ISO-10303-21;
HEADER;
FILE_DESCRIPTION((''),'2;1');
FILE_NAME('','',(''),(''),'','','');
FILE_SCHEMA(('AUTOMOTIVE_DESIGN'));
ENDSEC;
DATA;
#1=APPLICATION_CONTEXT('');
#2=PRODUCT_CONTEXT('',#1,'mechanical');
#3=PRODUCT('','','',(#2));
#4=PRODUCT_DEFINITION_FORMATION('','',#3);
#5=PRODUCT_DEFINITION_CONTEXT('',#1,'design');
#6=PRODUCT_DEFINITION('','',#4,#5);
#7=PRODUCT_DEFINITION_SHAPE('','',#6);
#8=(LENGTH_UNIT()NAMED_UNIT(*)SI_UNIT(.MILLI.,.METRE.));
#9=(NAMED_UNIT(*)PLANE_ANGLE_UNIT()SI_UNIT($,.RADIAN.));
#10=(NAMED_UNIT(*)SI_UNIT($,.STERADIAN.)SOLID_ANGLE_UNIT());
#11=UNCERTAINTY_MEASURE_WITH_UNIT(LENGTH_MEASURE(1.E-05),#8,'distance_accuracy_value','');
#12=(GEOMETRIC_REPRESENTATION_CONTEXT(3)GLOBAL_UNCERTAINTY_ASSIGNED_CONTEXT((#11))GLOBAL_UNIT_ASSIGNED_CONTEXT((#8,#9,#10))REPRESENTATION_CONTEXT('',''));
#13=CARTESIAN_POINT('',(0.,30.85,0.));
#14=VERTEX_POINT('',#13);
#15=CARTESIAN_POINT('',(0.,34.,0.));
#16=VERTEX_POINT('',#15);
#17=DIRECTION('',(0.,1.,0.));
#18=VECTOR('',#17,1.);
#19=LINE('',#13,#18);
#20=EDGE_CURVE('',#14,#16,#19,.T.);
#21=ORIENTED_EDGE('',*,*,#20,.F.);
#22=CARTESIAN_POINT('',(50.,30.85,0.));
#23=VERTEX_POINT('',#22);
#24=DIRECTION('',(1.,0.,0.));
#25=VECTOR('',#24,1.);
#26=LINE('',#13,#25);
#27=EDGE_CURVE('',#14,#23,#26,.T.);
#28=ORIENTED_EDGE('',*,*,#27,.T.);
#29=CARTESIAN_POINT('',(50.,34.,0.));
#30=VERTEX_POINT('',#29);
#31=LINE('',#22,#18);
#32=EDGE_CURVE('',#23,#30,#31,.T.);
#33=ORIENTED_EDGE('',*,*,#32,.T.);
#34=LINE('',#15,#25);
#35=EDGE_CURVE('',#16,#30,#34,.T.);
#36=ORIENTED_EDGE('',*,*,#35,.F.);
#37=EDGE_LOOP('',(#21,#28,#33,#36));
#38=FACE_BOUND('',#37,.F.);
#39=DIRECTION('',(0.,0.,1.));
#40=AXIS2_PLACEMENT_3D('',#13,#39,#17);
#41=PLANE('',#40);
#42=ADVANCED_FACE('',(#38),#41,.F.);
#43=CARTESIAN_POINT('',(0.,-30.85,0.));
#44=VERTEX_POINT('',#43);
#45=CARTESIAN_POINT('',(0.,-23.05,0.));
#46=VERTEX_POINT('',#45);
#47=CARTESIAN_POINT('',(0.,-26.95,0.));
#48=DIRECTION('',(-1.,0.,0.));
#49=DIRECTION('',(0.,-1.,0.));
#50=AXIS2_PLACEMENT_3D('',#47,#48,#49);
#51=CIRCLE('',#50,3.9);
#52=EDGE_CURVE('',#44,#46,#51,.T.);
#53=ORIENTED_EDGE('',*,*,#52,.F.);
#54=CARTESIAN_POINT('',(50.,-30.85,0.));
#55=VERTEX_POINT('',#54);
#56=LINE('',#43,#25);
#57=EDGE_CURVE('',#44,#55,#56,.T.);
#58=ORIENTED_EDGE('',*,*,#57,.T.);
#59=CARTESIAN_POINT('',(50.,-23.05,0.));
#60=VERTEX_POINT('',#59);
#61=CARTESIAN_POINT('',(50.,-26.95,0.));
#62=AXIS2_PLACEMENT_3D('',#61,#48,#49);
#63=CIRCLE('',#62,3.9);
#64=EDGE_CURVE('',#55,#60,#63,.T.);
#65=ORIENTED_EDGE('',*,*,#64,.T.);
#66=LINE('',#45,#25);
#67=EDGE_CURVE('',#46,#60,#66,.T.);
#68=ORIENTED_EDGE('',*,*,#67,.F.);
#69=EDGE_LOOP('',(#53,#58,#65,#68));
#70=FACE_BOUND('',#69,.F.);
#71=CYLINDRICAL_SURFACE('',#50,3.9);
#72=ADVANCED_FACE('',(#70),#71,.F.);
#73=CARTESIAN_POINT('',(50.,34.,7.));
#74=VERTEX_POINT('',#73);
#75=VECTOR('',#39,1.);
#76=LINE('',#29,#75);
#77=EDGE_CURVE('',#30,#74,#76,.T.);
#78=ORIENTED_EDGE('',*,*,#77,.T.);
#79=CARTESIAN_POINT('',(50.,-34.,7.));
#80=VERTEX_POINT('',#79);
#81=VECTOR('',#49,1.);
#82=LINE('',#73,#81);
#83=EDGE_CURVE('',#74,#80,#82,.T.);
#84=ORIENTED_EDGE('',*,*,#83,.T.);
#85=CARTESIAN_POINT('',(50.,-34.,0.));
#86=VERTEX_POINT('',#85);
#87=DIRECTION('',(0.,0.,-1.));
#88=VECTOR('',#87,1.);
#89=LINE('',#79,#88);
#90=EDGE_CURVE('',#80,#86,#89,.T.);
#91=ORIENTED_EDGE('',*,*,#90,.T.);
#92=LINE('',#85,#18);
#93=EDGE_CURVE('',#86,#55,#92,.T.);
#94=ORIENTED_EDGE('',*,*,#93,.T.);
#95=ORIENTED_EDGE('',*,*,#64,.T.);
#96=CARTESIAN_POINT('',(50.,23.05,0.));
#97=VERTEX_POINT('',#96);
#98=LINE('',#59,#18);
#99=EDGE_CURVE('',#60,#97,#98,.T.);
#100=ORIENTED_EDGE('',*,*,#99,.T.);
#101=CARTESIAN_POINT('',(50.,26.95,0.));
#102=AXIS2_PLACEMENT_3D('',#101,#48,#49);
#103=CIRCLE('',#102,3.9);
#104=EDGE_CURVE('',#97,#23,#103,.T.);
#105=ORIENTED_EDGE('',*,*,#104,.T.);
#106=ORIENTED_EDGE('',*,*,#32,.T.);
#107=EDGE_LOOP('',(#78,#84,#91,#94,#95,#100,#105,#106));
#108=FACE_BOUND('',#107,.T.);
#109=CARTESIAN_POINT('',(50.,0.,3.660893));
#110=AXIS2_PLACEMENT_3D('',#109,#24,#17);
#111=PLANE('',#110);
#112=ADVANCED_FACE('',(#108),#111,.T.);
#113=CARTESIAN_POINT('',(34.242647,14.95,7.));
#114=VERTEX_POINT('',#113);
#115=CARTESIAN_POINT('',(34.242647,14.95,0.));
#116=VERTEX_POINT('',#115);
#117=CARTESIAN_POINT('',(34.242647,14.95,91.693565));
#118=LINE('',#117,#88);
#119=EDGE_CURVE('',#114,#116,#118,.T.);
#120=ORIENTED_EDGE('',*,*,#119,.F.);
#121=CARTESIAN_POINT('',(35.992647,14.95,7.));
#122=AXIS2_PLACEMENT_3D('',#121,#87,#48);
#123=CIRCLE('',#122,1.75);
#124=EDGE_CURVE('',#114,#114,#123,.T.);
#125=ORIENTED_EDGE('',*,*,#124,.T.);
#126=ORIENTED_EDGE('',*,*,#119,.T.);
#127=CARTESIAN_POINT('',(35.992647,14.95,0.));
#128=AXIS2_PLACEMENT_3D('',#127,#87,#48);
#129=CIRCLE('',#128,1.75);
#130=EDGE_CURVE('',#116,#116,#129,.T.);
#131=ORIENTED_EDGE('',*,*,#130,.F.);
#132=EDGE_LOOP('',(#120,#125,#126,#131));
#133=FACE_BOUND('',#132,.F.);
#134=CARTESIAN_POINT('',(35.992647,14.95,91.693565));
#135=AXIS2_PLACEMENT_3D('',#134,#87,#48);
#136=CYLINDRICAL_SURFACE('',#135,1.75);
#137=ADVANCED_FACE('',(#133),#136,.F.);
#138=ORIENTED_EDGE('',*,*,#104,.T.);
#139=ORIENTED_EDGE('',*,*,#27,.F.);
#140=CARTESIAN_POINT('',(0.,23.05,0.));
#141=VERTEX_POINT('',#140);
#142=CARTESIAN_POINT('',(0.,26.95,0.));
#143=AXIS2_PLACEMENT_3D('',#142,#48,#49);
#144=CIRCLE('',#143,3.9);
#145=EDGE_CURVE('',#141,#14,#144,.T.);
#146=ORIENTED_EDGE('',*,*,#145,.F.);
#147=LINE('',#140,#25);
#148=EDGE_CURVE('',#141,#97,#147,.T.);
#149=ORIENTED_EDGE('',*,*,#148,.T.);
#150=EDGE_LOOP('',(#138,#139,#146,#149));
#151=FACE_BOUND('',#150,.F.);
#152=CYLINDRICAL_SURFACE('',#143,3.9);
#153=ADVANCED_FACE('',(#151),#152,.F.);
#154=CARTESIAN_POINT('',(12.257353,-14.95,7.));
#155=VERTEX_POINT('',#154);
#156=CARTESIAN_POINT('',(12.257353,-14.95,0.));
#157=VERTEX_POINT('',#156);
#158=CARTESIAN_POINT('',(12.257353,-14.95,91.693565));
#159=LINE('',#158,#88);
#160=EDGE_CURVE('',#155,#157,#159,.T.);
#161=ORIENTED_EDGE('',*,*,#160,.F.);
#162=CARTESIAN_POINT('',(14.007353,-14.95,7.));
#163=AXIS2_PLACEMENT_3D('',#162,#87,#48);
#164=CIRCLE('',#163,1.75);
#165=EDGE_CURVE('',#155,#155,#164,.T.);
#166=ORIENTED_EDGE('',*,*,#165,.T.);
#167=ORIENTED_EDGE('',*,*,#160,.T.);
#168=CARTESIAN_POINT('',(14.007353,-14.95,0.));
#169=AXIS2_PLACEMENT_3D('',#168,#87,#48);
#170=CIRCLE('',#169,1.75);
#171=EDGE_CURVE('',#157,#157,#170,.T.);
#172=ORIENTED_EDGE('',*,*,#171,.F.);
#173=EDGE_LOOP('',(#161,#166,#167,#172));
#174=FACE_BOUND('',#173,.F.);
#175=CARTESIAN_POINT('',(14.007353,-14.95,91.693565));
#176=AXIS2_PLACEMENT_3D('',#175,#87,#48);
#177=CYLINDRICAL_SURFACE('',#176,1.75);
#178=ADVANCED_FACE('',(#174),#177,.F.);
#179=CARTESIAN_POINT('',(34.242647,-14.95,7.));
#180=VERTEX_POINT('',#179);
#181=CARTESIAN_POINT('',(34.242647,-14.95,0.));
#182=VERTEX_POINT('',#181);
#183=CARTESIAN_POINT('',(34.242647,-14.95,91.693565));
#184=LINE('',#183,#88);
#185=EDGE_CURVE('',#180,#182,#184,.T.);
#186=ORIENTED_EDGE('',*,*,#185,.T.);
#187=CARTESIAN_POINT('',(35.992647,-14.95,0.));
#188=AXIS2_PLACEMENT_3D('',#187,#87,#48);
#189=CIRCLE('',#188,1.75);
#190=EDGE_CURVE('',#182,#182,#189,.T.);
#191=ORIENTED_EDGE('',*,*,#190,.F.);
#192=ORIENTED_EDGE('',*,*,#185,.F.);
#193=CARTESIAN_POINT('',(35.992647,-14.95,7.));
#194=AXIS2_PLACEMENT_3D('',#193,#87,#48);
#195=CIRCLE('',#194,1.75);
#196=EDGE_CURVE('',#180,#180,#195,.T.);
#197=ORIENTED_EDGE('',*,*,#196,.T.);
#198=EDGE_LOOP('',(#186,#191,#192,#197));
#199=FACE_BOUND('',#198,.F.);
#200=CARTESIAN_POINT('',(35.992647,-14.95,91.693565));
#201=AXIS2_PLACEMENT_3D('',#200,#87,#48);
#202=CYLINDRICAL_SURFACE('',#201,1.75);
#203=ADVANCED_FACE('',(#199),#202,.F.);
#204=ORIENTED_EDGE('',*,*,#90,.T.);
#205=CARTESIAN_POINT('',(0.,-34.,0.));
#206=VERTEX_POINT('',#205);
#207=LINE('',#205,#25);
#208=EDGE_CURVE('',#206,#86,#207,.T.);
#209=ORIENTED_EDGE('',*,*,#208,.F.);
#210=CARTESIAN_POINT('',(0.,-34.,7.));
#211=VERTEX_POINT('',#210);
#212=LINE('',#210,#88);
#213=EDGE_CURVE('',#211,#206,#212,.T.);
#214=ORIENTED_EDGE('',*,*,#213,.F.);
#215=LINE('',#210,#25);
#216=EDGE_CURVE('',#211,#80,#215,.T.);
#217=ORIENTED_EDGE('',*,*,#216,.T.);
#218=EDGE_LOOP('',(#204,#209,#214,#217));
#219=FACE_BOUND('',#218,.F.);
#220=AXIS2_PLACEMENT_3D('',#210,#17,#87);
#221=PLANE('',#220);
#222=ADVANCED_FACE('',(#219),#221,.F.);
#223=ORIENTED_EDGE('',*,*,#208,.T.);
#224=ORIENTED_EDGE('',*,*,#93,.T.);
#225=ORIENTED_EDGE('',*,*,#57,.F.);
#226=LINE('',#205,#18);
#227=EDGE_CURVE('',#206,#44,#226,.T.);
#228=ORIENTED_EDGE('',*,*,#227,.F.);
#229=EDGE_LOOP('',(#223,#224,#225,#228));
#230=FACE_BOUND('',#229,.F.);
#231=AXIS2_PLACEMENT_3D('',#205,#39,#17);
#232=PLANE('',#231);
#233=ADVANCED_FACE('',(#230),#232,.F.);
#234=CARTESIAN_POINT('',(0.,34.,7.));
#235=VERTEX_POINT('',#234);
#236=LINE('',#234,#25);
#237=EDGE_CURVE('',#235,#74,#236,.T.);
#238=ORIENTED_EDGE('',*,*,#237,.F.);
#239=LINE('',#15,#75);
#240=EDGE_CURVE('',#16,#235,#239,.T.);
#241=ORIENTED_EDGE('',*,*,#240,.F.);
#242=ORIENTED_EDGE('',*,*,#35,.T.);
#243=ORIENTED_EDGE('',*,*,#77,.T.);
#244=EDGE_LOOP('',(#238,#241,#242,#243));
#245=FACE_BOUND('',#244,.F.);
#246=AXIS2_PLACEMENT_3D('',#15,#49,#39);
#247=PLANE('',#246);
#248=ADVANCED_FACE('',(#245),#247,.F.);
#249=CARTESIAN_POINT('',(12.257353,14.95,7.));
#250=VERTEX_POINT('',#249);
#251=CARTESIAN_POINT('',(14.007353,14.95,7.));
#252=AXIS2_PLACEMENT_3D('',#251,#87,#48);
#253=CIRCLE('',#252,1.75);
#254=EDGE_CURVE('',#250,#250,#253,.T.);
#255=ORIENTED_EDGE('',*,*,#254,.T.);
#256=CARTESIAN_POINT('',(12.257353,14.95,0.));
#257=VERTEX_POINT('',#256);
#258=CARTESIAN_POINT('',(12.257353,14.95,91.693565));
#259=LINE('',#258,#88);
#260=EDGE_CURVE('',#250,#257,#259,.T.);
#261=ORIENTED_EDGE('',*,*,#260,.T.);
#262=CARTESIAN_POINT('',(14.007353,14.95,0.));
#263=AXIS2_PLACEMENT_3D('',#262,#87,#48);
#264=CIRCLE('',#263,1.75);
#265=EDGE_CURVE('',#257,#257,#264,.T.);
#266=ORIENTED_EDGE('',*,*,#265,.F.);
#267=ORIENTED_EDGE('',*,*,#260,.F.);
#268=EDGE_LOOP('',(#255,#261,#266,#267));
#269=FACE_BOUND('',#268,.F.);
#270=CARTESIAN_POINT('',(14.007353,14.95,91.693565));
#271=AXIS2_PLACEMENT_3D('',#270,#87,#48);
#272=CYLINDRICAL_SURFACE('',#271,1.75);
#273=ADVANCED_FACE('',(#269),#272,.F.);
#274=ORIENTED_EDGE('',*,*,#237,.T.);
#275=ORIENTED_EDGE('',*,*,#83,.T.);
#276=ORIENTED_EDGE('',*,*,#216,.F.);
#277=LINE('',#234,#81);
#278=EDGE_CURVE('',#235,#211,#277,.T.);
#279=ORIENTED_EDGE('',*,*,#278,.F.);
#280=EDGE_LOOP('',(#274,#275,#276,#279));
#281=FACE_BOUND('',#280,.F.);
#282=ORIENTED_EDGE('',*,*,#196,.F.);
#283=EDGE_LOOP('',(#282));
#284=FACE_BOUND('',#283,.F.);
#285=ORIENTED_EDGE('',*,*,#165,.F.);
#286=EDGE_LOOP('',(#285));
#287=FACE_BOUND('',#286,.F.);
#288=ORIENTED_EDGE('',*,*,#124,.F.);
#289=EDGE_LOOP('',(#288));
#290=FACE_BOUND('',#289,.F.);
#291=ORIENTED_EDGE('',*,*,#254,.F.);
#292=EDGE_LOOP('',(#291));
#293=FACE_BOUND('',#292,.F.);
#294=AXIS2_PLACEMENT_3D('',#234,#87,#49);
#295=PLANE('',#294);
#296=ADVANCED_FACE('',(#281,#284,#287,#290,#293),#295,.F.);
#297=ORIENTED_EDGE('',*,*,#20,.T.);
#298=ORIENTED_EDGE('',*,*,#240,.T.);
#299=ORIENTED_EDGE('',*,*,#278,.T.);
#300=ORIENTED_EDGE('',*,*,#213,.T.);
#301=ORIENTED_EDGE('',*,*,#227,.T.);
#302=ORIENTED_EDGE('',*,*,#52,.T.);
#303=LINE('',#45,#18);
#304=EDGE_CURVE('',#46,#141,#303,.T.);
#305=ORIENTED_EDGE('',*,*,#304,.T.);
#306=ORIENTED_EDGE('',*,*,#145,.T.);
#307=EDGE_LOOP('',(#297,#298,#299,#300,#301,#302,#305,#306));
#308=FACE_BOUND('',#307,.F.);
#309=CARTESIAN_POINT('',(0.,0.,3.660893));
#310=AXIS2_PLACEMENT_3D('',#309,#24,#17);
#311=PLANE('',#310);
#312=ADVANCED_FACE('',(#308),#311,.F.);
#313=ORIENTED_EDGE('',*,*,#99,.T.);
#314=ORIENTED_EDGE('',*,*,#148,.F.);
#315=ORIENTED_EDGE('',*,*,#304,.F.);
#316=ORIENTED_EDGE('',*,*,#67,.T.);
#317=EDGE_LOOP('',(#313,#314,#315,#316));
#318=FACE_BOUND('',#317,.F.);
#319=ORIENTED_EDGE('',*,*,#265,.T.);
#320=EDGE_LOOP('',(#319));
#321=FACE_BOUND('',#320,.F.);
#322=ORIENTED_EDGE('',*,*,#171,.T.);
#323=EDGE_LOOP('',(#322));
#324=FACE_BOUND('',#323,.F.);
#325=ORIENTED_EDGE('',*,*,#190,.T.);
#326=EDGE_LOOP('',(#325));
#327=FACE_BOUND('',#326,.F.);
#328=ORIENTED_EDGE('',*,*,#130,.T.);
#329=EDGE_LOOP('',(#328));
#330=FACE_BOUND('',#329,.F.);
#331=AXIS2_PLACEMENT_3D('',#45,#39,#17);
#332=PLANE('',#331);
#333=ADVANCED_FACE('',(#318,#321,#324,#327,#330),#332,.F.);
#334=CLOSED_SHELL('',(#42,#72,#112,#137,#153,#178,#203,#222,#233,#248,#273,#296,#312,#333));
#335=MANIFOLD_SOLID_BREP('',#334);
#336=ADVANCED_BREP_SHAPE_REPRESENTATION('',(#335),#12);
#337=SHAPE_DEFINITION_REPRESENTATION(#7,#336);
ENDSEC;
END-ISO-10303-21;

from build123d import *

# Parameters (mm, degrees)
F1_DEPTH = 50
F3_D     = 3.5


with BuildPart() as f1:
    # F0 (on Right) → F1 (new body)
    with BuildSketch(Plane.YZ):
        with BuildLine():
            Line((34, 0), (34, 7))
            Line((34, 7), (-34, 7))
            Line((-34, 7), (-34, 0))
            Line((-34, 0), (-30.85, 0))
            ThreePointArc((-30.85, 0), (-26.95, 3.9), (-23.05, 0))
            Line((-23.05, 0), (23.05, 0))
            ThreePointArc((23.05, 0), (26.95, 3.9), (30.85, 0))
            Line((30.85, 0), (34, 0))
        make_face()
    extrude(amount=F1_DEPTH)

    # F3 (through all)
    with Locations(Plane.XY.offset(7)):
        with Locations((14.007353, 14.95), (35.992647, 14.95), (14.007353, -14.95), (35.992647, -14.95)):
            Hole(F3_D / 2)


solid = f1.part
